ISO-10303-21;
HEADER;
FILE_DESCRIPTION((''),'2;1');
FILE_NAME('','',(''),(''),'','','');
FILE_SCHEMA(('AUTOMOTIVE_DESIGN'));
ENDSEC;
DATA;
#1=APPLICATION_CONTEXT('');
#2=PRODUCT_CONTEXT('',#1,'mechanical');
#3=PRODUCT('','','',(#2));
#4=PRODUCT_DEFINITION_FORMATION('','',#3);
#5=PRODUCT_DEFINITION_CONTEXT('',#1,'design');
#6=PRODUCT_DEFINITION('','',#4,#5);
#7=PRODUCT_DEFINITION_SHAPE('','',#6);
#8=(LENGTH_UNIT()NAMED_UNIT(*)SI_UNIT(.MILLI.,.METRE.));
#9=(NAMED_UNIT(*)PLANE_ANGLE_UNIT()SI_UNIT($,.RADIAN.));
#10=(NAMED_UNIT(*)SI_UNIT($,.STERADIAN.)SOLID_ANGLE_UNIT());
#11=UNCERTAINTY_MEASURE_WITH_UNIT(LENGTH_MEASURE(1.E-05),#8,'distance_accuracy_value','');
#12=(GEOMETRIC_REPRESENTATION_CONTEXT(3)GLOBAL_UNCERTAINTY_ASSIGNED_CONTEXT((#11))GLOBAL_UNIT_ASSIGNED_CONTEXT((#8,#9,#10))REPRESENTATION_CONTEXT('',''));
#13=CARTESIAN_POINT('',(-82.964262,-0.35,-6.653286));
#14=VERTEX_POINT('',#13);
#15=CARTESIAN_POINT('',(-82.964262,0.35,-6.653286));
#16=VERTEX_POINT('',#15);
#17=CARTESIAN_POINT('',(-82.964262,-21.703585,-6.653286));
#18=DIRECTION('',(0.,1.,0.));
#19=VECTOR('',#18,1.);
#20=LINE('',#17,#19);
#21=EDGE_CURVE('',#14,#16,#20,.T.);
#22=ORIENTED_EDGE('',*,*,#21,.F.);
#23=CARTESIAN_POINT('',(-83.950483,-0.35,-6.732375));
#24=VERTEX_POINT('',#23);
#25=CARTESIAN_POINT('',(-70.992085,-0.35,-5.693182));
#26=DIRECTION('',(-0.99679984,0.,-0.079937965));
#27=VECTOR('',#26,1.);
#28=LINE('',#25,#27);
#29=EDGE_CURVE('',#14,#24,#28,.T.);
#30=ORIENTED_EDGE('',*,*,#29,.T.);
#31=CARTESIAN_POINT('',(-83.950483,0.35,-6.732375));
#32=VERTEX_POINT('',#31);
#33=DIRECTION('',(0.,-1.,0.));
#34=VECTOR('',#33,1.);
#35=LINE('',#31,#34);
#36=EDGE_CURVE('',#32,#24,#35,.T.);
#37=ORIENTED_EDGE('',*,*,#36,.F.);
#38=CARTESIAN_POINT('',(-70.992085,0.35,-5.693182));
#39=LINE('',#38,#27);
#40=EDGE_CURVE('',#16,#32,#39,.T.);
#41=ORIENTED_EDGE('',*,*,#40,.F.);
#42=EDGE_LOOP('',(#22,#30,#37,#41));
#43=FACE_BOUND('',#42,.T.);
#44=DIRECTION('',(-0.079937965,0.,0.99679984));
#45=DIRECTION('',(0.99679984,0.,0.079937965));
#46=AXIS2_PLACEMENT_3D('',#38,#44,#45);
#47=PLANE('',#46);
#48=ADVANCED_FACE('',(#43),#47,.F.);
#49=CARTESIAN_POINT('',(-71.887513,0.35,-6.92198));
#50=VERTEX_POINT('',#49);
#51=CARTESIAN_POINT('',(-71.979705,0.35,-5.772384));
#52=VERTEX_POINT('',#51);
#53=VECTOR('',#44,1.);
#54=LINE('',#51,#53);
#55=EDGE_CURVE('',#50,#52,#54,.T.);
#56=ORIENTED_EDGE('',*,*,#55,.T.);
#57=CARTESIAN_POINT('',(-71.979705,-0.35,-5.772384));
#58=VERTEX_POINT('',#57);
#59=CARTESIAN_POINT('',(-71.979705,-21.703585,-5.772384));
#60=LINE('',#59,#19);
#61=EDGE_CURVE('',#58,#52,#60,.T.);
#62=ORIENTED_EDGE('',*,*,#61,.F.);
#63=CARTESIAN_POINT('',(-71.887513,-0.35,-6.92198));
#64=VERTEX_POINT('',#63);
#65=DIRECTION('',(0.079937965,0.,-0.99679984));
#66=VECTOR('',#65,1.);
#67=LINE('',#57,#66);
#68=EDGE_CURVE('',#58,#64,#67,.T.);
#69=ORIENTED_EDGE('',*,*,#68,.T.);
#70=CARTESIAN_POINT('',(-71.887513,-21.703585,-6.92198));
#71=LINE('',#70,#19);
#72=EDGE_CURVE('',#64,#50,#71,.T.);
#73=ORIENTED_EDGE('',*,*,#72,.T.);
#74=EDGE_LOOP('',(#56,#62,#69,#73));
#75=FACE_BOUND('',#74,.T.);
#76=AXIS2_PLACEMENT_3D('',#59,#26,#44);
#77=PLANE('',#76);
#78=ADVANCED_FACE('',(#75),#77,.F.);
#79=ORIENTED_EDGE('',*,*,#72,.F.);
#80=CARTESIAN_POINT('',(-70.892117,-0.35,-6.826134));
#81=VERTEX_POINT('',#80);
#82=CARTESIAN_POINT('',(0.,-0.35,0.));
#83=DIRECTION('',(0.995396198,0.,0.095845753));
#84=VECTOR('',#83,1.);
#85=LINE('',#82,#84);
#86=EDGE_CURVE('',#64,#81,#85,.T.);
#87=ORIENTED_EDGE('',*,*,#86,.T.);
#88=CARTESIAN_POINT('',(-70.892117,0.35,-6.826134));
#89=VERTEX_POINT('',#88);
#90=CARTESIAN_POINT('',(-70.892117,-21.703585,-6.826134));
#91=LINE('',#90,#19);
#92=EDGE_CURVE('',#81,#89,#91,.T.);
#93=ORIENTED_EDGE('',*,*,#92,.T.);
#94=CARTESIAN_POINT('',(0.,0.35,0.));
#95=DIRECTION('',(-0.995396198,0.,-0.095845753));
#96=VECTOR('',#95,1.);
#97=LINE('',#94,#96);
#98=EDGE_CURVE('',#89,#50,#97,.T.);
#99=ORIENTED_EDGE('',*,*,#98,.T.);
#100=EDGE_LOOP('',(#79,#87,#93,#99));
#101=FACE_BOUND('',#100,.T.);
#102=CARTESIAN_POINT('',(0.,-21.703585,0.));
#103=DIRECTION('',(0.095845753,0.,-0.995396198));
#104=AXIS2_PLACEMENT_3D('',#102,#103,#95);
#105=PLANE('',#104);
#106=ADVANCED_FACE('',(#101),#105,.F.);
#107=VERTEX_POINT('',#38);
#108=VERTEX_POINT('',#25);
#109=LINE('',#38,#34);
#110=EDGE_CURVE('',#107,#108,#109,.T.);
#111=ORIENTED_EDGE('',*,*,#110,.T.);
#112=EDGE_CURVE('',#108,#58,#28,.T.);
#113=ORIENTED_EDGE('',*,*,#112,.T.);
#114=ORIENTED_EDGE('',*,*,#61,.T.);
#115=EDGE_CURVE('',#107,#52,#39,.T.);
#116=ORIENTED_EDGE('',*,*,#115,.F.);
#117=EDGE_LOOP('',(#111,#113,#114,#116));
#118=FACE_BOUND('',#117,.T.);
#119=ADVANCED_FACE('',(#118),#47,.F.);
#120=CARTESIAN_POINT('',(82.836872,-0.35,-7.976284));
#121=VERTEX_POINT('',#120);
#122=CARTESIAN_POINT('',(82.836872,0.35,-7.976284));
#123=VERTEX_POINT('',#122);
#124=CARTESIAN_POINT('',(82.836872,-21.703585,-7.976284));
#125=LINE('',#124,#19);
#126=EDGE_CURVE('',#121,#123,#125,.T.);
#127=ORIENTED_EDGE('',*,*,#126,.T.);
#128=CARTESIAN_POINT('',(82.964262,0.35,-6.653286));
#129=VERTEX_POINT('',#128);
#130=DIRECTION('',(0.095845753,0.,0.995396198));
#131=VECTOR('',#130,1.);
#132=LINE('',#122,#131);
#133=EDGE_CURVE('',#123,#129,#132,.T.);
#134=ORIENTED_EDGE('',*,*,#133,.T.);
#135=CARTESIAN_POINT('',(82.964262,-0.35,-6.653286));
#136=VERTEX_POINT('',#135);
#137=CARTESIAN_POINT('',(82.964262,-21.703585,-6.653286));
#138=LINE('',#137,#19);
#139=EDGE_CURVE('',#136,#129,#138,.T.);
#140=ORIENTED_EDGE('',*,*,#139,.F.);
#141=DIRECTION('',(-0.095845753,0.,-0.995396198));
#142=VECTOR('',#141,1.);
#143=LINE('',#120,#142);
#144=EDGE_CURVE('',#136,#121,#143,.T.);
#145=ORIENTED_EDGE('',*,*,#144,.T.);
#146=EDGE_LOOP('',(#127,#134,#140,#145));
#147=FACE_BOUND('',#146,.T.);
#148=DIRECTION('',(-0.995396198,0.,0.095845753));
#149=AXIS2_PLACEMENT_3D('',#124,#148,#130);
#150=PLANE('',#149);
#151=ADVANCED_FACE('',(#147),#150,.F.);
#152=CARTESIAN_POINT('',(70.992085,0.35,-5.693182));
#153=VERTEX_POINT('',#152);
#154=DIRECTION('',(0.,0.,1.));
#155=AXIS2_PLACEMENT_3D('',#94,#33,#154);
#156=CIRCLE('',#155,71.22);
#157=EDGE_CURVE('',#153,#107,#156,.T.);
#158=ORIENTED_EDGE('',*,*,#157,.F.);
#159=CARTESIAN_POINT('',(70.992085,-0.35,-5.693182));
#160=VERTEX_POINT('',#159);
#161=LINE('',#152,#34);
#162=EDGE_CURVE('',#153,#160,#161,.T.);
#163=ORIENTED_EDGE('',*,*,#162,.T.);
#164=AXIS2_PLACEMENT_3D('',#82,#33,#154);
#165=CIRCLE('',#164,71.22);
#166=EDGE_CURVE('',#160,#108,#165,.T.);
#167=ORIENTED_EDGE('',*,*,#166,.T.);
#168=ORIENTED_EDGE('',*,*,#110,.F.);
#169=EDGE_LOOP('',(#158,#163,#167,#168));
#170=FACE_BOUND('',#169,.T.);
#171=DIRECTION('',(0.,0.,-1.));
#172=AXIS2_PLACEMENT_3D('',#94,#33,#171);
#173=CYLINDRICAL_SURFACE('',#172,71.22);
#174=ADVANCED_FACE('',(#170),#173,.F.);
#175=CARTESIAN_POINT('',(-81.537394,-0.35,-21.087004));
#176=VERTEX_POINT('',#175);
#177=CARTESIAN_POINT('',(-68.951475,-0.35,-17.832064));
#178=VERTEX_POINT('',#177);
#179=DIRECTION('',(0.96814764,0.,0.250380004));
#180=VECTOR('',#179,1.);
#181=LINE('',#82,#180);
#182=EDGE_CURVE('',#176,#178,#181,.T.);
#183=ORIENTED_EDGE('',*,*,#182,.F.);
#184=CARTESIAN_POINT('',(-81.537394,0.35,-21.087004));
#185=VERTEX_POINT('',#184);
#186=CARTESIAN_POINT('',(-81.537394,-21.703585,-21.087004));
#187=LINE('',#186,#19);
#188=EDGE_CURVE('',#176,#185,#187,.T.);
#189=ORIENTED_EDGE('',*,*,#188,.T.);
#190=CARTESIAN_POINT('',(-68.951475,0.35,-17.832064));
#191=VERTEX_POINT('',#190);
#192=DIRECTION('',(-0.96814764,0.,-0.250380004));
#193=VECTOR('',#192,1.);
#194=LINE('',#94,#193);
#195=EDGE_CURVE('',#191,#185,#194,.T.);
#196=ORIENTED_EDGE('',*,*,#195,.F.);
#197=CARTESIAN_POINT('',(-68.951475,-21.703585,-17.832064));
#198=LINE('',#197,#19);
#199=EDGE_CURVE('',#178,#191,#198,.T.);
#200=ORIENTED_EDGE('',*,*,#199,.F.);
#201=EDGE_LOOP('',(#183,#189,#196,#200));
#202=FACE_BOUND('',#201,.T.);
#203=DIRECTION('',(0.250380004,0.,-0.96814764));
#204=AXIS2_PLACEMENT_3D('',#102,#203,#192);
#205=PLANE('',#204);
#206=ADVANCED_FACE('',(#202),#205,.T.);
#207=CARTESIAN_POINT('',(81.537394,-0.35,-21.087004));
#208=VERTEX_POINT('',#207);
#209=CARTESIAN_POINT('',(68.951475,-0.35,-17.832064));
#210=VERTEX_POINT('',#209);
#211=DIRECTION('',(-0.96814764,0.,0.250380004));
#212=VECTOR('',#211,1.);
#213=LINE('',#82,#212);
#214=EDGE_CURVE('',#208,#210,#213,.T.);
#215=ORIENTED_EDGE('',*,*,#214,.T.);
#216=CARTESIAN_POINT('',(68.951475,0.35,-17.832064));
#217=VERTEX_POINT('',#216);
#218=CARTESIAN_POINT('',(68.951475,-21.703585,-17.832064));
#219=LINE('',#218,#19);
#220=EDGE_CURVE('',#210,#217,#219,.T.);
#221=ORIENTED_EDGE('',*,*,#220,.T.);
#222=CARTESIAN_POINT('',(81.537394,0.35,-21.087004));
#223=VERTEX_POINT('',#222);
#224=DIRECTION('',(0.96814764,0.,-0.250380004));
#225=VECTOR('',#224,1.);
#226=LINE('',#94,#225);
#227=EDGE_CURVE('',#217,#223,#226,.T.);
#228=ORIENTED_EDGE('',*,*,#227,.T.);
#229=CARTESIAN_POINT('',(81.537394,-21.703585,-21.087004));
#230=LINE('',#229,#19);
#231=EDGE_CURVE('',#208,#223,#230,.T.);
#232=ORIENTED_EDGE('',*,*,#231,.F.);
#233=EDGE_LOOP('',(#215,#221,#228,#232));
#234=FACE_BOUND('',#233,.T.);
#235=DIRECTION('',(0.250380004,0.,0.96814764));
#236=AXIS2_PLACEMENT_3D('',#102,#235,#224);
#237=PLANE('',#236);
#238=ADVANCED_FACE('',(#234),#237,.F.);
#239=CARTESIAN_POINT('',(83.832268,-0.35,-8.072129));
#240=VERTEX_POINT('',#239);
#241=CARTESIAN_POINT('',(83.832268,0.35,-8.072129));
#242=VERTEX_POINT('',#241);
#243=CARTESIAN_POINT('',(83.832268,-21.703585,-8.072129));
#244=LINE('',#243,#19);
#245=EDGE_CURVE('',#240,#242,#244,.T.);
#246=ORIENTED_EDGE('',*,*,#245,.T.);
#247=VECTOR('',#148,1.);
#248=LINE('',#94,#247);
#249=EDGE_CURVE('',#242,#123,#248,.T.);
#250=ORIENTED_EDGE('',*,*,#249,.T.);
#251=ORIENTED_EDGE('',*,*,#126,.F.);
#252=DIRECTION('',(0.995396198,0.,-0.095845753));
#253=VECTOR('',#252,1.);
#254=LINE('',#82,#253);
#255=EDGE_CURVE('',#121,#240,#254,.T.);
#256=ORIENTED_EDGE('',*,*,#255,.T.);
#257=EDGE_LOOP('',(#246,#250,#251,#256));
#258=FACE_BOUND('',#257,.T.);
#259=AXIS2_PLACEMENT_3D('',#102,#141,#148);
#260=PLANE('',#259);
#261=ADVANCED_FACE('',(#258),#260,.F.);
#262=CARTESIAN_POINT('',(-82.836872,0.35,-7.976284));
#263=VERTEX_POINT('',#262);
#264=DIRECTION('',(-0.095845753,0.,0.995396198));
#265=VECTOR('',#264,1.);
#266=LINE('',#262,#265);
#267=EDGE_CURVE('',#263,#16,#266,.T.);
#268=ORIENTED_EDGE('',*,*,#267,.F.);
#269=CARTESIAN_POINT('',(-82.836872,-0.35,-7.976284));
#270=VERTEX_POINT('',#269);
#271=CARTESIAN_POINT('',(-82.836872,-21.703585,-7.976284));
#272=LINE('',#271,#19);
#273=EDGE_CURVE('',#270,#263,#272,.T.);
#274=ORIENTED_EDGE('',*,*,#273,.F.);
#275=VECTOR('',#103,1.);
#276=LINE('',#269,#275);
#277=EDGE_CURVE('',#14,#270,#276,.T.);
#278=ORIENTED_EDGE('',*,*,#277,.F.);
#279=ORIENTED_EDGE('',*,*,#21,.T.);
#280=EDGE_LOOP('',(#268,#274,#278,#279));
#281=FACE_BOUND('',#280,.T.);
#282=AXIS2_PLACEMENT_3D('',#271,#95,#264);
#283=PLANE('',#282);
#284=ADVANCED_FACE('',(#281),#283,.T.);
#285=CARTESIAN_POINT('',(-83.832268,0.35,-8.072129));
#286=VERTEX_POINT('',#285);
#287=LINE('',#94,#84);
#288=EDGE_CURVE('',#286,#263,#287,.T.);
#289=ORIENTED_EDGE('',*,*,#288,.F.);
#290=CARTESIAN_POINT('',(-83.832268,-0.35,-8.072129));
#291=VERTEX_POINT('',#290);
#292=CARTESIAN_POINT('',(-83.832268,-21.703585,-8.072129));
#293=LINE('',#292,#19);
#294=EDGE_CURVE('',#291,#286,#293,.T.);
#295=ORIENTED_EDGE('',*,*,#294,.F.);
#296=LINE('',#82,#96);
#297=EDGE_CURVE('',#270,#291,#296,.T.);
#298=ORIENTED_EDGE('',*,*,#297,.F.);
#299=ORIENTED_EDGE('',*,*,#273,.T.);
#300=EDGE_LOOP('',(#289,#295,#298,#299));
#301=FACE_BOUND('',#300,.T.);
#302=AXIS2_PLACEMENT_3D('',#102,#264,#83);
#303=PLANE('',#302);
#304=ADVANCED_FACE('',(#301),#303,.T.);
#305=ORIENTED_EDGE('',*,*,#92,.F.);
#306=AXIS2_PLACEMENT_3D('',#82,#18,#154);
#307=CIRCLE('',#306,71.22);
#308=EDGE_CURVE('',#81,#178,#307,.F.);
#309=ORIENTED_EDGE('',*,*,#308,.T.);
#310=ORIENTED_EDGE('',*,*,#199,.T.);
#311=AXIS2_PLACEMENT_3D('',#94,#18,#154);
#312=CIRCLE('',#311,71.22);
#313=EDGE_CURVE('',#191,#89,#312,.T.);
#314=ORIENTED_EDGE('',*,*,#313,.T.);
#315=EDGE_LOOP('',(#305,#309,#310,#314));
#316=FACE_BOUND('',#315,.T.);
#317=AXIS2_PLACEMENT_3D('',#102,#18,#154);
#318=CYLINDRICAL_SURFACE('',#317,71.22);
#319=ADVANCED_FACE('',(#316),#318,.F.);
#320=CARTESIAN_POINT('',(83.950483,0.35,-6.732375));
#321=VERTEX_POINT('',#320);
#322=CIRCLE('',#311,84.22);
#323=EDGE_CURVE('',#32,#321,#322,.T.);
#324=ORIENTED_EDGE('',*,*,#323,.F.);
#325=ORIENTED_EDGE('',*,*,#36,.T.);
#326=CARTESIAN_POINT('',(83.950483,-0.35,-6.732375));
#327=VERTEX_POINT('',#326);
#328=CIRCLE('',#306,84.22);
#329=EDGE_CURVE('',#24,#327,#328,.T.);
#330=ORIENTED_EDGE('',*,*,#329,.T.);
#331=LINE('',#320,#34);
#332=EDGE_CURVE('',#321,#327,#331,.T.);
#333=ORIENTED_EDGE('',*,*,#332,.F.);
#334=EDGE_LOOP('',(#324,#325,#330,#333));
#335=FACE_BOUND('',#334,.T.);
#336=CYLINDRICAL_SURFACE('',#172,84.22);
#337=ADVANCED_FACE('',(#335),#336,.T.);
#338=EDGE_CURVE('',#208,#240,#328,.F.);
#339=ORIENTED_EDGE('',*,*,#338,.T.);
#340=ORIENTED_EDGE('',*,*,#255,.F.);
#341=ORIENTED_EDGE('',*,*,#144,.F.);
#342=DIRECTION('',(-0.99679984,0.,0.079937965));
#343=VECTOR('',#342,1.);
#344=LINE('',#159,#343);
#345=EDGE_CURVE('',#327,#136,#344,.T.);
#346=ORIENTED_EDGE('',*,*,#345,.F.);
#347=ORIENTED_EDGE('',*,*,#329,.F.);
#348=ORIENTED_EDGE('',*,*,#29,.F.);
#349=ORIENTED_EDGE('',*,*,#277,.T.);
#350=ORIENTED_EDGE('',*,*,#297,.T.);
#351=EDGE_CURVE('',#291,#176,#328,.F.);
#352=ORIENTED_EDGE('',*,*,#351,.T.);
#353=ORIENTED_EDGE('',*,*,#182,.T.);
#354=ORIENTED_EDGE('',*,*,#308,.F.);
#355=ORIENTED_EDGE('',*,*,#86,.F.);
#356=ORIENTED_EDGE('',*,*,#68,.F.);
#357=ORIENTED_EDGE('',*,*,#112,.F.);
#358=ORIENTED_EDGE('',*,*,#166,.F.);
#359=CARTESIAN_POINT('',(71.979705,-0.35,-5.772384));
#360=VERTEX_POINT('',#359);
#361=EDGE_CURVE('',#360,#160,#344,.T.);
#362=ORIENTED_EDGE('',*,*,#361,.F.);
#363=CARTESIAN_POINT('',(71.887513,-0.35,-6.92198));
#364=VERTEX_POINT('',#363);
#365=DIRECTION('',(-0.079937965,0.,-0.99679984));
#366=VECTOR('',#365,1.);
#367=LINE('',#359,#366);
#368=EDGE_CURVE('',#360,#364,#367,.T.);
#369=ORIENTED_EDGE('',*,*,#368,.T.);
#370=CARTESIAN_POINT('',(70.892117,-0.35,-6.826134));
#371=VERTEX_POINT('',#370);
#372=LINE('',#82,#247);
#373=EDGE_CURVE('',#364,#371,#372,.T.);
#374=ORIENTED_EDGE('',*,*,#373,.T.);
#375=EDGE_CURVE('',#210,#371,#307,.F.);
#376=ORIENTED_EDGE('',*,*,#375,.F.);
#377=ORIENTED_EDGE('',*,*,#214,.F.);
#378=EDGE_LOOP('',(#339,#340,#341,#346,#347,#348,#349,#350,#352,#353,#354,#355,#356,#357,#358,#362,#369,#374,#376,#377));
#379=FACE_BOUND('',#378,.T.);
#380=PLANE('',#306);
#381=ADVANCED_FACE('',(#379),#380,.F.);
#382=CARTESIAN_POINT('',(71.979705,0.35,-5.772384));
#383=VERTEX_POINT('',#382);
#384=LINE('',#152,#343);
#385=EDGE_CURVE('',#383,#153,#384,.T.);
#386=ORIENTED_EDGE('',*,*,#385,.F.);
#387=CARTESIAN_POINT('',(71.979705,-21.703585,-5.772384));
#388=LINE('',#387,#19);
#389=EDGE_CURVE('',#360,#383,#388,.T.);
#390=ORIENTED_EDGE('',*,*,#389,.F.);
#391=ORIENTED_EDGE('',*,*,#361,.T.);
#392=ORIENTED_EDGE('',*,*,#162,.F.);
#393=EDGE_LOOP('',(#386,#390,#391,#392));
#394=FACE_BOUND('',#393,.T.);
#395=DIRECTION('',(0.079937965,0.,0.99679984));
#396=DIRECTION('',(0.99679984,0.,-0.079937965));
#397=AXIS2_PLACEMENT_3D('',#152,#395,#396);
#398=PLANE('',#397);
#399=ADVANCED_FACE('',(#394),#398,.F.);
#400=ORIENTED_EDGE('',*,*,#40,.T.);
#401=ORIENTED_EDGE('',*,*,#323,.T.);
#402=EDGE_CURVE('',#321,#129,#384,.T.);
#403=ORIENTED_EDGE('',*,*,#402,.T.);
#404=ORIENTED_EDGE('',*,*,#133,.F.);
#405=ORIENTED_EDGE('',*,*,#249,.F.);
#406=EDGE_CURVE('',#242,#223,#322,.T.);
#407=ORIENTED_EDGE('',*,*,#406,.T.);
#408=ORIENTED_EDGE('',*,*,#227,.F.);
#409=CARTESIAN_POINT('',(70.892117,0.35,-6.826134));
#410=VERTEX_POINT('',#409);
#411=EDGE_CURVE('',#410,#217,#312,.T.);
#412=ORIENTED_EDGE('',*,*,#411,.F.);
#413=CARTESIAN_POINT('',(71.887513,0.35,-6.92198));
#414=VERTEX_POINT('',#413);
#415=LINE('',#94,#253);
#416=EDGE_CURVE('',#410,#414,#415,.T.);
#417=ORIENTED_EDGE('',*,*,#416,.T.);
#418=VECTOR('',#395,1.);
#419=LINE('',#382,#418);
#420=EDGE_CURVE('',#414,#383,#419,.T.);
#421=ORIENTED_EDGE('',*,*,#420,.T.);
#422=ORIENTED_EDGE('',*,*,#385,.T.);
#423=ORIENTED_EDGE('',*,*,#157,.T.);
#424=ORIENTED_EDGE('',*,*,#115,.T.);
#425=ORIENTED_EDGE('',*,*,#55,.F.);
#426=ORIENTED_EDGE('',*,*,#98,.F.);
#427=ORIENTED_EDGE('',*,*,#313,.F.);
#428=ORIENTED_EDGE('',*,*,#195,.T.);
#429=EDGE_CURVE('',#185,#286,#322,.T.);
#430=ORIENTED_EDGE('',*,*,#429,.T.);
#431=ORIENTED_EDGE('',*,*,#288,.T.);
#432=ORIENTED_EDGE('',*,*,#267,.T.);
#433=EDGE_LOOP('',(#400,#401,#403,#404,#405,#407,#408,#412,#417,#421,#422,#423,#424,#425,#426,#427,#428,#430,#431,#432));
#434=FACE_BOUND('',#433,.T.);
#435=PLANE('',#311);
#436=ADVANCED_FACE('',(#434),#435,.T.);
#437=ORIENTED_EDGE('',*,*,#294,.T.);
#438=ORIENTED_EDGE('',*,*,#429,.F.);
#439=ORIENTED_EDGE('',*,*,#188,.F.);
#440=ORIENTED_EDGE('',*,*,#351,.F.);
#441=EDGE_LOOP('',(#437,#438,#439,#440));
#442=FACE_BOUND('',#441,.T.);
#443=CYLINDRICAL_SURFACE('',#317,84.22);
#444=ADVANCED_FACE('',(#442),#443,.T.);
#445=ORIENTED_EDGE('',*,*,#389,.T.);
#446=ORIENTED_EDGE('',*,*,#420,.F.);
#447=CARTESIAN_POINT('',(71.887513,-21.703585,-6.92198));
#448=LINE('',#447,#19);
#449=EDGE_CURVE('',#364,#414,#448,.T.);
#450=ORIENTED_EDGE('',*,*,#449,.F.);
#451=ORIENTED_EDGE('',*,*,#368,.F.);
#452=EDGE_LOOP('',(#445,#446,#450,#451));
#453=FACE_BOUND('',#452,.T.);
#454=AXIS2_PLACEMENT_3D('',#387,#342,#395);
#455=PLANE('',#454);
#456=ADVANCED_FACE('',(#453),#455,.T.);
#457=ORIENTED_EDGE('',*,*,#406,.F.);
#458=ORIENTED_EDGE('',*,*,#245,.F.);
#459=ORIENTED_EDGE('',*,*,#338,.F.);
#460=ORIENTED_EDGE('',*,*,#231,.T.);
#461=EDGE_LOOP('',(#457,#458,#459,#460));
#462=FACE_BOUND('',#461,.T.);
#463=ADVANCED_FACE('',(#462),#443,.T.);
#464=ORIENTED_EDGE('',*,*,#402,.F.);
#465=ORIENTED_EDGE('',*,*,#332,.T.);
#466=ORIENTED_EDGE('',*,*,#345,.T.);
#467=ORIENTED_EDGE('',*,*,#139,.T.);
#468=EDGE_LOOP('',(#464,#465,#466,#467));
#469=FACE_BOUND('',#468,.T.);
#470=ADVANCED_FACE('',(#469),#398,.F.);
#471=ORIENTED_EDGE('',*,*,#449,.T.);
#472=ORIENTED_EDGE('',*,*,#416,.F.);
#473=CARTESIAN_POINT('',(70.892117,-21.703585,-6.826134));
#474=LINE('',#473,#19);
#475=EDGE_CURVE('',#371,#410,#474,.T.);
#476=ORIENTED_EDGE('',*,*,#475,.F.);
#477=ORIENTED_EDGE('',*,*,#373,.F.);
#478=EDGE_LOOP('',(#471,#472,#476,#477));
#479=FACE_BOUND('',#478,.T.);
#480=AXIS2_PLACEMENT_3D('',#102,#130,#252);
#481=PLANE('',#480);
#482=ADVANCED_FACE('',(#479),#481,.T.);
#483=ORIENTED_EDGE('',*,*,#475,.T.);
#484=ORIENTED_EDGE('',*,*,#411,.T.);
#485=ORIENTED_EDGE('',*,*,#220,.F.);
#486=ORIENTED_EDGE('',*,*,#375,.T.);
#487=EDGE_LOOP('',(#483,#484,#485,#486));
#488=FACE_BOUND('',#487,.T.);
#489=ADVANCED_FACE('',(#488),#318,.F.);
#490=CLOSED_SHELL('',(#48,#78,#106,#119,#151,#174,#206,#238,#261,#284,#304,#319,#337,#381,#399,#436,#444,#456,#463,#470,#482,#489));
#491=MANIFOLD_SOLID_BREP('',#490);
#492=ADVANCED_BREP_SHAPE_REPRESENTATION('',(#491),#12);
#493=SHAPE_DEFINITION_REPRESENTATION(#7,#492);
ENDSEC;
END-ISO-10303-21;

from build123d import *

# Parameters (mm, degrees)
BOSS_EXTRUDE1_DEPTH = 0.35
BOSS_EXTRUDE2_DEPTH = 0.7


with BuildPart() as part:
    # Sketch1 → Boss-Extrude1 (new, symmetric)
    with BuildSketch(Plane(origin=(0, 0, 0), x_dir=(1, 0, 0), z_dir=(0, 1, 0))):
        with BuildLine():
            Line((70.992084628, 5.693181902), (83.950482552, 6.732375453))
            ThreePointArc((83.950482552, 6.732375453), (0, -84.22), (-83.950482552, 6.732375453))
            Line((-83.950482552, 6.732375453), (-70.992084628, 5.693181902))
            ThreePointArc((-70.992084628, 5.693181902), (0, -71.22), (70.992084628, 5.693181902))
        make_face()
    extrude(amount=BOSS_EXTRUDE1_DEPTH, both=True)

    # Sketch2 → Boss-Extrude2 (add)
    with BuildSketch(Plane(origin=(0, 0.35, 0), x_dir=(1, 0, 0), z_dir=(0, 1, 0))):
        with BuildLine():
            Line((71.979704881, 5.772383714), (82.964261813, 6.653285874))
            Line((82.964261813, 6.653285874), (82.836871628, 7.976283525))
            Line((82.836871628, 7.976283525), (83.832267826, 8.072129277))
            ThreePointArc((83.832267826, 8.072129277), (82.940508959, 14.624649523), (81.537394273, 21.087003941))
            Line((81.537394273, 21.087003941), (68.951474948, 17.832063889))
            ThreePointArc((68.951474948, 17.832063889), (70.13800817, 12.367223213), (70.892117248, 6.826134494))
            Line((70.892117248, 6.826134494), (71.887513446, 6.921980247))
            Line((71.887513446, 6.921980247), (71.979704881, 5.772383714))
        make_face()
        with BuildLine():
            Line((-82.964261813, 6.653285874), (-71.979704881, 5.772383714))
            Line((-71.979704881, 5.772383714), (-71.887513446, 6.921980247))
            Line((-71.887513446, 6.921980247), (-70.892117248, 6.826134494))
            ThreePointArc((-70.892117248, 6.826134494), (-70.13800817, 12.367223213), (-68.951474948, 17.832063889))
            Line((-68.951474948, 17.832063889), (-81.537394273, 21.087003941))
            ThreePointArc((-81.537394273, 21.087003941), (-82.940508959, 14.624649523), (-83.832267826, 8.072129277))
            Line((-83.832267826, 8.072129277), (-82.836871628, 7.976283525))
            Line((-82.836871628, 7.976283525), (-82.964261813, 6.653285874))
        make_face()
    extrude(amount=-BOSS_EXTRUDE2_DEPTH)


solid = part.part
